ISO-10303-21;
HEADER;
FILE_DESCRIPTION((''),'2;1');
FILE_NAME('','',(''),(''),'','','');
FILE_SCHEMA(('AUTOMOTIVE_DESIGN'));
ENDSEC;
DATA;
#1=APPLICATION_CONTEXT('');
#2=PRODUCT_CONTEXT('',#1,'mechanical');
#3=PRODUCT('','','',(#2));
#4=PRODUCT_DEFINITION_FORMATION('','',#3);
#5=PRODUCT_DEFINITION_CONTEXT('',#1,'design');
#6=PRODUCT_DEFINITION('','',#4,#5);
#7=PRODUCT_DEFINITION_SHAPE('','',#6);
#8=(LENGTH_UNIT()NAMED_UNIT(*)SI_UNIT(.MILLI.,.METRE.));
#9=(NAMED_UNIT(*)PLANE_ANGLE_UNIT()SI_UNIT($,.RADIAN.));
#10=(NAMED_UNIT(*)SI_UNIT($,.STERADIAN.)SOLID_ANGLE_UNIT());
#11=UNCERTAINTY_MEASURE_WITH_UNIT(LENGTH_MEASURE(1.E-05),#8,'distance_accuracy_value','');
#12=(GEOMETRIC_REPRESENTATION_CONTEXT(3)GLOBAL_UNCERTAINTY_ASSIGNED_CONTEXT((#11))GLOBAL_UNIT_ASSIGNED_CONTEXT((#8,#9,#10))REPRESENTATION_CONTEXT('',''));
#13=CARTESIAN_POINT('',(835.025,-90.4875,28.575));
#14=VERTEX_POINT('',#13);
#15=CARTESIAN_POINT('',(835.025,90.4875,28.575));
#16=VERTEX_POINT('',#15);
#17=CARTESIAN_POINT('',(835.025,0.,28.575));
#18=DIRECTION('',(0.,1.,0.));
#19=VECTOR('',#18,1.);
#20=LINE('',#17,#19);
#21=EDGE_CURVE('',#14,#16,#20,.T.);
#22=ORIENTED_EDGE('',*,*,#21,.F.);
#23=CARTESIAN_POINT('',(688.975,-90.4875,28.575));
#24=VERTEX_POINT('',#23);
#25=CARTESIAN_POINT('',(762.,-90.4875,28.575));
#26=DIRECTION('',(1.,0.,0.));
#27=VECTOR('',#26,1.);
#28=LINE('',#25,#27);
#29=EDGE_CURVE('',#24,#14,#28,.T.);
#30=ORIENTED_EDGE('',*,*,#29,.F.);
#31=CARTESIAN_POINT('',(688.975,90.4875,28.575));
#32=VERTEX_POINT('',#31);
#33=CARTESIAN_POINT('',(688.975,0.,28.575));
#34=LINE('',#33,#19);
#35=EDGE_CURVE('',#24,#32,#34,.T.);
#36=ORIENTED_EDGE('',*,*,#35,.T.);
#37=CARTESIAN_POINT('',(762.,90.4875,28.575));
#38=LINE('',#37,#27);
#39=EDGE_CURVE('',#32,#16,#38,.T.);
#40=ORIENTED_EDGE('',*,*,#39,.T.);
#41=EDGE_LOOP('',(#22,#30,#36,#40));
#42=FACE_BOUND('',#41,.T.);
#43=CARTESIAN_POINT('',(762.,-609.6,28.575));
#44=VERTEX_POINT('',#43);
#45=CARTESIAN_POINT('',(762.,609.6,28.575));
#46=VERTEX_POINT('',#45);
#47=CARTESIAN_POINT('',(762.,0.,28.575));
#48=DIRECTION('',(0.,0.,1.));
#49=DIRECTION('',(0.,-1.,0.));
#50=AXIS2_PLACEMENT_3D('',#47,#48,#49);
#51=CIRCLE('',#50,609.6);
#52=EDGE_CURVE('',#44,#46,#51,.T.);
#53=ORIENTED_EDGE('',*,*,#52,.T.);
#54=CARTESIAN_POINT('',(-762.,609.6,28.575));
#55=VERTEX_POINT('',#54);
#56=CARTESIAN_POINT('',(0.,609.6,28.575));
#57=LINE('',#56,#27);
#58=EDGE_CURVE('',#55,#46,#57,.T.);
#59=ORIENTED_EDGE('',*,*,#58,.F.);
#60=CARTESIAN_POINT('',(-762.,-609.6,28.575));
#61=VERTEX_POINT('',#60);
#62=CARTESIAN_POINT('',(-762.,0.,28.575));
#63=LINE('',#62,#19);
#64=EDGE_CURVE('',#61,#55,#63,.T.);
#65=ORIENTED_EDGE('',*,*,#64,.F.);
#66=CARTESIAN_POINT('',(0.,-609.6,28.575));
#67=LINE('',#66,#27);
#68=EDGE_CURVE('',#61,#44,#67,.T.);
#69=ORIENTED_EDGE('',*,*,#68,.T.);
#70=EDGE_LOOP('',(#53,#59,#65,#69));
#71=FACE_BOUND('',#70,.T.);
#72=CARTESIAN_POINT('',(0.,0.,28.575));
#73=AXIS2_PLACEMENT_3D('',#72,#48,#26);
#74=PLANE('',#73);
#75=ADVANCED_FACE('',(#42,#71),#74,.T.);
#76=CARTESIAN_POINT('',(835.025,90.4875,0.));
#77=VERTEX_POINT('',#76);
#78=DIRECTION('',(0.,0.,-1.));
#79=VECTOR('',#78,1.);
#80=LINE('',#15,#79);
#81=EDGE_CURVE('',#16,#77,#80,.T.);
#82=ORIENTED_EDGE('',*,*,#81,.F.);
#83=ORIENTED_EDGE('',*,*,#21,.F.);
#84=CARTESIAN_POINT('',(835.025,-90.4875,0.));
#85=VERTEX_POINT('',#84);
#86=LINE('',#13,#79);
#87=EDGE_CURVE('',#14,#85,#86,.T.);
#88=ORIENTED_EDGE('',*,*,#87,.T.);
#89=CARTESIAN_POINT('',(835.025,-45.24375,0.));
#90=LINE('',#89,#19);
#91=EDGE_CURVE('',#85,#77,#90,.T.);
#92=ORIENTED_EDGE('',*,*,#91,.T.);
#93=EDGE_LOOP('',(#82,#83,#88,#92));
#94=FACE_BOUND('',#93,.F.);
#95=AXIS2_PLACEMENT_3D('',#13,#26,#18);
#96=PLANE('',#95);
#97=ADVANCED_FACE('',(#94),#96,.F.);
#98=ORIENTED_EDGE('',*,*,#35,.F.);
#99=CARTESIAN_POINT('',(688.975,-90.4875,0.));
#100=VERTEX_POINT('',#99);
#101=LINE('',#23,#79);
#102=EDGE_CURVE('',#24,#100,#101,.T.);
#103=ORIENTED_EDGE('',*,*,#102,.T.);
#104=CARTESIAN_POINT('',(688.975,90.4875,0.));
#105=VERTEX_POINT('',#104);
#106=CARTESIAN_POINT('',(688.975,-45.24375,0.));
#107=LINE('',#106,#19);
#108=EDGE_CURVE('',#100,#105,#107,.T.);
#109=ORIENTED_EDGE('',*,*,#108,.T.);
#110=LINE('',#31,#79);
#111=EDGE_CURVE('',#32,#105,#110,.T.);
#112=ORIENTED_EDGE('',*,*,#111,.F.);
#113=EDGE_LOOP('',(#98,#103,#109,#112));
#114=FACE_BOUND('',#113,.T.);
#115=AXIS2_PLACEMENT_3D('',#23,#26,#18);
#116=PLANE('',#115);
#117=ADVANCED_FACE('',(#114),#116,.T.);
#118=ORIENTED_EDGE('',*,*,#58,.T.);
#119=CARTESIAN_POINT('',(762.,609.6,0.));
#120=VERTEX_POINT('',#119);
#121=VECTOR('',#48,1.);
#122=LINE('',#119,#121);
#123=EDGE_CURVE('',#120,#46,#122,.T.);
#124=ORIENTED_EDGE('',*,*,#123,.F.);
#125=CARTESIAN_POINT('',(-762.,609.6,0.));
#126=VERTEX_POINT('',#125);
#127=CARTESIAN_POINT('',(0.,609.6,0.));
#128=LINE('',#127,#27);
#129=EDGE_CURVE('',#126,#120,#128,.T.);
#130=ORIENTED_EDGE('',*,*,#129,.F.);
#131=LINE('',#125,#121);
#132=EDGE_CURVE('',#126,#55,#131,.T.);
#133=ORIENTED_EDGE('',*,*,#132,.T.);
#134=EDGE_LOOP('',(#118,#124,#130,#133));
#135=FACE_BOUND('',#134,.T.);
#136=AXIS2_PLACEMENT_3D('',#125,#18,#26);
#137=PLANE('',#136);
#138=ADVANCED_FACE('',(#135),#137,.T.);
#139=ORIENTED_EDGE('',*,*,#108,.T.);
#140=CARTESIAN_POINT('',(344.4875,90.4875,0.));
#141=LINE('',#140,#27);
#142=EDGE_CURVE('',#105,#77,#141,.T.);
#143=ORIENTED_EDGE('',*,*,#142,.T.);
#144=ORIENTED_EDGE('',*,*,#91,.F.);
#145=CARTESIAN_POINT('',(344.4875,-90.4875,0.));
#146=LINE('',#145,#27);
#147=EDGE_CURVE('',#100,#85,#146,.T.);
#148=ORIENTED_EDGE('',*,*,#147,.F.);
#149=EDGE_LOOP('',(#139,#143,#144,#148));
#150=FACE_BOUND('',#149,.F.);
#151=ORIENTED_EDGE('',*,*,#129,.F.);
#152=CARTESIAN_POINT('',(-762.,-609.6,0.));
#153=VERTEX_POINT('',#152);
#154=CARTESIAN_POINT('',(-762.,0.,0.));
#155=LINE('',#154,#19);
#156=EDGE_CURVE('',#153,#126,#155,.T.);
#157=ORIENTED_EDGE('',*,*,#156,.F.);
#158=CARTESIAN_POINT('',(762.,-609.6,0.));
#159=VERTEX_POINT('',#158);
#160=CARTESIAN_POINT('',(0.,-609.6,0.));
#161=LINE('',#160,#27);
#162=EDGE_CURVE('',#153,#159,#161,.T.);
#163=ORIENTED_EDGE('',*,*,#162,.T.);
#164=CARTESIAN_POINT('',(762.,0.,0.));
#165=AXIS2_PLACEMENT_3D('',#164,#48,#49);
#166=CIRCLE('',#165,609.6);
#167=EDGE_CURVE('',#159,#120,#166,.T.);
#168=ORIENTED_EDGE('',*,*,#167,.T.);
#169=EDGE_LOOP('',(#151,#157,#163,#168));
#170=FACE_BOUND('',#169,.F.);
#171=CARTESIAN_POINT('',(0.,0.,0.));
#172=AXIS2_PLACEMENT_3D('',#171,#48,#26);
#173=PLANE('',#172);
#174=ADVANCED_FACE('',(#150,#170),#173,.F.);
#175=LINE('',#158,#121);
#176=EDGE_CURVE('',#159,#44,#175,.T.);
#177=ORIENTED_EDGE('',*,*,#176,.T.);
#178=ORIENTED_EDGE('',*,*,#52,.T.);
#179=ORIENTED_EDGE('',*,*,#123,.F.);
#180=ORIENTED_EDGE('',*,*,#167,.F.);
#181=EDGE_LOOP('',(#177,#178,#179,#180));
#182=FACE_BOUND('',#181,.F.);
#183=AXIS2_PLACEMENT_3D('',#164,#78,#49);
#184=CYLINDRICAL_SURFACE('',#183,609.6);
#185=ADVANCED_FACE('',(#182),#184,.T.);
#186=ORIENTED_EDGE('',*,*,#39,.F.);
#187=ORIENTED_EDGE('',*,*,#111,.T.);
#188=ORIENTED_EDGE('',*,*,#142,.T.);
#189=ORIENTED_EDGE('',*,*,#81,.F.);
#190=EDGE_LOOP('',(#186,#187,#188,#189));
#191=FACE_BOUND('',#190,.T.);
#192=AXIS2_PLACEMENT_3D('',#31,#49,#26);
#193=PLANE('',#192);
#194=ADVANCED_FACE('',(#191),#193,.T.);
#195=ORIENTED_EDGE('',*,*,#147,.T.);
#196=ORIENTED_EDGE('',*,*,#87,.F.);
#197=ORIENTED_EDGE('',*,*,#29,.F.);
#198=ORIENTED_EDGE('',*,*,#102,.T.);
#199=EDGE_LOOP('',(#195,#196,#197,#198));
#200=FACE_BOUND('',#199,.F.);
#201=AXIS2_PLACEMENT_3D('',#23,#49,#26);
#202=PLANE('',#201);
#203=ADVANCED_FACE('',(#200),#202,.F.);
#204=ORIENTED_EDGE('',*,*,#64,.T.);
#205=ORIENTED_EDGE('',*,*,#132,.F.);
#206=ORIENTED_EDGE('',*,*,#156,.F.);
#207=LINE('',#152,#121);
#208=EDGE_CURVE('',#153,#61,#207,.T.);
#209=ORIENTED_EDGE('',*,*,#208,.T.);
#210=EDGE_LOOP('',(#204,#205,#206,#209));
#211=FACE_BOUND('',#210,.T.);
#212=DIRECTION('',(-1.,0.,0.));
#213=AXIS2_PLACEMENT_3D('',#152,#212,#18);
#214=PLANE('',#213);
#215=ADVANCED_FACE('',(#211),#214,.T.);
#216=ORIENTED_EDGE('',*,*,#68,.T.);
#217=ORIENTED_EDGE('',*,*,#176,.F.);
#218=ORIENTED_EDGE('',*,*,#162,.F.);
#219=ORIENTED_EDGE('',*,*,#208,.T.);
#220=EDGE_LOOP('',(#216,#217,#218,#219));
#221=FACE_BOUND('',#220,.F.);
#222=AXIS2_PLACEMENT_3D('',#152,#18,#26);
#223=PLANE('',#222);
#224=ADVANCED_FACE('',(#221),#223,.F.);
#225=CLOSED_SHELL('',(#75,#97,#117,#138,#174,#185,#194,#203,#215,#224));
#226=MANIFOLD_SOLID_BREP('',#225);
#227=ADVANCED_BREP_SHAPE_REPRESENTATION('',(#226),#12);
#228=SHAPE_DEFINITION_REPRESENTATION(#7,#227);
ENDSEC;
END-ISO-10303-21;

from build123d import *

# Parameters (mm, degrees)
F0_W     = 1524
F0_H     = 1219.2
F1_DEPTH = 28.575
F2_W     = 146.05
F2_H     = 180.975
F3_DEPTH = 50.8


with BuildPart() as f1:
    # F0 (on Top) → F1 (new body)
    with BuildSketch(Plane.XY):
        Rectangle(F0_W, F0_H)
        with BuildLine():
            ThreePointArc((762, -609.6), (1371.6, 0), (762, 609.6))
            Line((762, 609.6), (762, -609.6))
        make_face()
    extrude(amount=F1_DEPTH)

    # F2 (on face) → F3 (cut)
    with BuildSketch(Plane.XY.offset(28.575)):
        with Locations((762, 0)):
            Rectangle(F2_W, F2_H)
    extrude(amount=-F3_DEPTH, mode=Mode.SUBTRACT)


solid = f1.part
